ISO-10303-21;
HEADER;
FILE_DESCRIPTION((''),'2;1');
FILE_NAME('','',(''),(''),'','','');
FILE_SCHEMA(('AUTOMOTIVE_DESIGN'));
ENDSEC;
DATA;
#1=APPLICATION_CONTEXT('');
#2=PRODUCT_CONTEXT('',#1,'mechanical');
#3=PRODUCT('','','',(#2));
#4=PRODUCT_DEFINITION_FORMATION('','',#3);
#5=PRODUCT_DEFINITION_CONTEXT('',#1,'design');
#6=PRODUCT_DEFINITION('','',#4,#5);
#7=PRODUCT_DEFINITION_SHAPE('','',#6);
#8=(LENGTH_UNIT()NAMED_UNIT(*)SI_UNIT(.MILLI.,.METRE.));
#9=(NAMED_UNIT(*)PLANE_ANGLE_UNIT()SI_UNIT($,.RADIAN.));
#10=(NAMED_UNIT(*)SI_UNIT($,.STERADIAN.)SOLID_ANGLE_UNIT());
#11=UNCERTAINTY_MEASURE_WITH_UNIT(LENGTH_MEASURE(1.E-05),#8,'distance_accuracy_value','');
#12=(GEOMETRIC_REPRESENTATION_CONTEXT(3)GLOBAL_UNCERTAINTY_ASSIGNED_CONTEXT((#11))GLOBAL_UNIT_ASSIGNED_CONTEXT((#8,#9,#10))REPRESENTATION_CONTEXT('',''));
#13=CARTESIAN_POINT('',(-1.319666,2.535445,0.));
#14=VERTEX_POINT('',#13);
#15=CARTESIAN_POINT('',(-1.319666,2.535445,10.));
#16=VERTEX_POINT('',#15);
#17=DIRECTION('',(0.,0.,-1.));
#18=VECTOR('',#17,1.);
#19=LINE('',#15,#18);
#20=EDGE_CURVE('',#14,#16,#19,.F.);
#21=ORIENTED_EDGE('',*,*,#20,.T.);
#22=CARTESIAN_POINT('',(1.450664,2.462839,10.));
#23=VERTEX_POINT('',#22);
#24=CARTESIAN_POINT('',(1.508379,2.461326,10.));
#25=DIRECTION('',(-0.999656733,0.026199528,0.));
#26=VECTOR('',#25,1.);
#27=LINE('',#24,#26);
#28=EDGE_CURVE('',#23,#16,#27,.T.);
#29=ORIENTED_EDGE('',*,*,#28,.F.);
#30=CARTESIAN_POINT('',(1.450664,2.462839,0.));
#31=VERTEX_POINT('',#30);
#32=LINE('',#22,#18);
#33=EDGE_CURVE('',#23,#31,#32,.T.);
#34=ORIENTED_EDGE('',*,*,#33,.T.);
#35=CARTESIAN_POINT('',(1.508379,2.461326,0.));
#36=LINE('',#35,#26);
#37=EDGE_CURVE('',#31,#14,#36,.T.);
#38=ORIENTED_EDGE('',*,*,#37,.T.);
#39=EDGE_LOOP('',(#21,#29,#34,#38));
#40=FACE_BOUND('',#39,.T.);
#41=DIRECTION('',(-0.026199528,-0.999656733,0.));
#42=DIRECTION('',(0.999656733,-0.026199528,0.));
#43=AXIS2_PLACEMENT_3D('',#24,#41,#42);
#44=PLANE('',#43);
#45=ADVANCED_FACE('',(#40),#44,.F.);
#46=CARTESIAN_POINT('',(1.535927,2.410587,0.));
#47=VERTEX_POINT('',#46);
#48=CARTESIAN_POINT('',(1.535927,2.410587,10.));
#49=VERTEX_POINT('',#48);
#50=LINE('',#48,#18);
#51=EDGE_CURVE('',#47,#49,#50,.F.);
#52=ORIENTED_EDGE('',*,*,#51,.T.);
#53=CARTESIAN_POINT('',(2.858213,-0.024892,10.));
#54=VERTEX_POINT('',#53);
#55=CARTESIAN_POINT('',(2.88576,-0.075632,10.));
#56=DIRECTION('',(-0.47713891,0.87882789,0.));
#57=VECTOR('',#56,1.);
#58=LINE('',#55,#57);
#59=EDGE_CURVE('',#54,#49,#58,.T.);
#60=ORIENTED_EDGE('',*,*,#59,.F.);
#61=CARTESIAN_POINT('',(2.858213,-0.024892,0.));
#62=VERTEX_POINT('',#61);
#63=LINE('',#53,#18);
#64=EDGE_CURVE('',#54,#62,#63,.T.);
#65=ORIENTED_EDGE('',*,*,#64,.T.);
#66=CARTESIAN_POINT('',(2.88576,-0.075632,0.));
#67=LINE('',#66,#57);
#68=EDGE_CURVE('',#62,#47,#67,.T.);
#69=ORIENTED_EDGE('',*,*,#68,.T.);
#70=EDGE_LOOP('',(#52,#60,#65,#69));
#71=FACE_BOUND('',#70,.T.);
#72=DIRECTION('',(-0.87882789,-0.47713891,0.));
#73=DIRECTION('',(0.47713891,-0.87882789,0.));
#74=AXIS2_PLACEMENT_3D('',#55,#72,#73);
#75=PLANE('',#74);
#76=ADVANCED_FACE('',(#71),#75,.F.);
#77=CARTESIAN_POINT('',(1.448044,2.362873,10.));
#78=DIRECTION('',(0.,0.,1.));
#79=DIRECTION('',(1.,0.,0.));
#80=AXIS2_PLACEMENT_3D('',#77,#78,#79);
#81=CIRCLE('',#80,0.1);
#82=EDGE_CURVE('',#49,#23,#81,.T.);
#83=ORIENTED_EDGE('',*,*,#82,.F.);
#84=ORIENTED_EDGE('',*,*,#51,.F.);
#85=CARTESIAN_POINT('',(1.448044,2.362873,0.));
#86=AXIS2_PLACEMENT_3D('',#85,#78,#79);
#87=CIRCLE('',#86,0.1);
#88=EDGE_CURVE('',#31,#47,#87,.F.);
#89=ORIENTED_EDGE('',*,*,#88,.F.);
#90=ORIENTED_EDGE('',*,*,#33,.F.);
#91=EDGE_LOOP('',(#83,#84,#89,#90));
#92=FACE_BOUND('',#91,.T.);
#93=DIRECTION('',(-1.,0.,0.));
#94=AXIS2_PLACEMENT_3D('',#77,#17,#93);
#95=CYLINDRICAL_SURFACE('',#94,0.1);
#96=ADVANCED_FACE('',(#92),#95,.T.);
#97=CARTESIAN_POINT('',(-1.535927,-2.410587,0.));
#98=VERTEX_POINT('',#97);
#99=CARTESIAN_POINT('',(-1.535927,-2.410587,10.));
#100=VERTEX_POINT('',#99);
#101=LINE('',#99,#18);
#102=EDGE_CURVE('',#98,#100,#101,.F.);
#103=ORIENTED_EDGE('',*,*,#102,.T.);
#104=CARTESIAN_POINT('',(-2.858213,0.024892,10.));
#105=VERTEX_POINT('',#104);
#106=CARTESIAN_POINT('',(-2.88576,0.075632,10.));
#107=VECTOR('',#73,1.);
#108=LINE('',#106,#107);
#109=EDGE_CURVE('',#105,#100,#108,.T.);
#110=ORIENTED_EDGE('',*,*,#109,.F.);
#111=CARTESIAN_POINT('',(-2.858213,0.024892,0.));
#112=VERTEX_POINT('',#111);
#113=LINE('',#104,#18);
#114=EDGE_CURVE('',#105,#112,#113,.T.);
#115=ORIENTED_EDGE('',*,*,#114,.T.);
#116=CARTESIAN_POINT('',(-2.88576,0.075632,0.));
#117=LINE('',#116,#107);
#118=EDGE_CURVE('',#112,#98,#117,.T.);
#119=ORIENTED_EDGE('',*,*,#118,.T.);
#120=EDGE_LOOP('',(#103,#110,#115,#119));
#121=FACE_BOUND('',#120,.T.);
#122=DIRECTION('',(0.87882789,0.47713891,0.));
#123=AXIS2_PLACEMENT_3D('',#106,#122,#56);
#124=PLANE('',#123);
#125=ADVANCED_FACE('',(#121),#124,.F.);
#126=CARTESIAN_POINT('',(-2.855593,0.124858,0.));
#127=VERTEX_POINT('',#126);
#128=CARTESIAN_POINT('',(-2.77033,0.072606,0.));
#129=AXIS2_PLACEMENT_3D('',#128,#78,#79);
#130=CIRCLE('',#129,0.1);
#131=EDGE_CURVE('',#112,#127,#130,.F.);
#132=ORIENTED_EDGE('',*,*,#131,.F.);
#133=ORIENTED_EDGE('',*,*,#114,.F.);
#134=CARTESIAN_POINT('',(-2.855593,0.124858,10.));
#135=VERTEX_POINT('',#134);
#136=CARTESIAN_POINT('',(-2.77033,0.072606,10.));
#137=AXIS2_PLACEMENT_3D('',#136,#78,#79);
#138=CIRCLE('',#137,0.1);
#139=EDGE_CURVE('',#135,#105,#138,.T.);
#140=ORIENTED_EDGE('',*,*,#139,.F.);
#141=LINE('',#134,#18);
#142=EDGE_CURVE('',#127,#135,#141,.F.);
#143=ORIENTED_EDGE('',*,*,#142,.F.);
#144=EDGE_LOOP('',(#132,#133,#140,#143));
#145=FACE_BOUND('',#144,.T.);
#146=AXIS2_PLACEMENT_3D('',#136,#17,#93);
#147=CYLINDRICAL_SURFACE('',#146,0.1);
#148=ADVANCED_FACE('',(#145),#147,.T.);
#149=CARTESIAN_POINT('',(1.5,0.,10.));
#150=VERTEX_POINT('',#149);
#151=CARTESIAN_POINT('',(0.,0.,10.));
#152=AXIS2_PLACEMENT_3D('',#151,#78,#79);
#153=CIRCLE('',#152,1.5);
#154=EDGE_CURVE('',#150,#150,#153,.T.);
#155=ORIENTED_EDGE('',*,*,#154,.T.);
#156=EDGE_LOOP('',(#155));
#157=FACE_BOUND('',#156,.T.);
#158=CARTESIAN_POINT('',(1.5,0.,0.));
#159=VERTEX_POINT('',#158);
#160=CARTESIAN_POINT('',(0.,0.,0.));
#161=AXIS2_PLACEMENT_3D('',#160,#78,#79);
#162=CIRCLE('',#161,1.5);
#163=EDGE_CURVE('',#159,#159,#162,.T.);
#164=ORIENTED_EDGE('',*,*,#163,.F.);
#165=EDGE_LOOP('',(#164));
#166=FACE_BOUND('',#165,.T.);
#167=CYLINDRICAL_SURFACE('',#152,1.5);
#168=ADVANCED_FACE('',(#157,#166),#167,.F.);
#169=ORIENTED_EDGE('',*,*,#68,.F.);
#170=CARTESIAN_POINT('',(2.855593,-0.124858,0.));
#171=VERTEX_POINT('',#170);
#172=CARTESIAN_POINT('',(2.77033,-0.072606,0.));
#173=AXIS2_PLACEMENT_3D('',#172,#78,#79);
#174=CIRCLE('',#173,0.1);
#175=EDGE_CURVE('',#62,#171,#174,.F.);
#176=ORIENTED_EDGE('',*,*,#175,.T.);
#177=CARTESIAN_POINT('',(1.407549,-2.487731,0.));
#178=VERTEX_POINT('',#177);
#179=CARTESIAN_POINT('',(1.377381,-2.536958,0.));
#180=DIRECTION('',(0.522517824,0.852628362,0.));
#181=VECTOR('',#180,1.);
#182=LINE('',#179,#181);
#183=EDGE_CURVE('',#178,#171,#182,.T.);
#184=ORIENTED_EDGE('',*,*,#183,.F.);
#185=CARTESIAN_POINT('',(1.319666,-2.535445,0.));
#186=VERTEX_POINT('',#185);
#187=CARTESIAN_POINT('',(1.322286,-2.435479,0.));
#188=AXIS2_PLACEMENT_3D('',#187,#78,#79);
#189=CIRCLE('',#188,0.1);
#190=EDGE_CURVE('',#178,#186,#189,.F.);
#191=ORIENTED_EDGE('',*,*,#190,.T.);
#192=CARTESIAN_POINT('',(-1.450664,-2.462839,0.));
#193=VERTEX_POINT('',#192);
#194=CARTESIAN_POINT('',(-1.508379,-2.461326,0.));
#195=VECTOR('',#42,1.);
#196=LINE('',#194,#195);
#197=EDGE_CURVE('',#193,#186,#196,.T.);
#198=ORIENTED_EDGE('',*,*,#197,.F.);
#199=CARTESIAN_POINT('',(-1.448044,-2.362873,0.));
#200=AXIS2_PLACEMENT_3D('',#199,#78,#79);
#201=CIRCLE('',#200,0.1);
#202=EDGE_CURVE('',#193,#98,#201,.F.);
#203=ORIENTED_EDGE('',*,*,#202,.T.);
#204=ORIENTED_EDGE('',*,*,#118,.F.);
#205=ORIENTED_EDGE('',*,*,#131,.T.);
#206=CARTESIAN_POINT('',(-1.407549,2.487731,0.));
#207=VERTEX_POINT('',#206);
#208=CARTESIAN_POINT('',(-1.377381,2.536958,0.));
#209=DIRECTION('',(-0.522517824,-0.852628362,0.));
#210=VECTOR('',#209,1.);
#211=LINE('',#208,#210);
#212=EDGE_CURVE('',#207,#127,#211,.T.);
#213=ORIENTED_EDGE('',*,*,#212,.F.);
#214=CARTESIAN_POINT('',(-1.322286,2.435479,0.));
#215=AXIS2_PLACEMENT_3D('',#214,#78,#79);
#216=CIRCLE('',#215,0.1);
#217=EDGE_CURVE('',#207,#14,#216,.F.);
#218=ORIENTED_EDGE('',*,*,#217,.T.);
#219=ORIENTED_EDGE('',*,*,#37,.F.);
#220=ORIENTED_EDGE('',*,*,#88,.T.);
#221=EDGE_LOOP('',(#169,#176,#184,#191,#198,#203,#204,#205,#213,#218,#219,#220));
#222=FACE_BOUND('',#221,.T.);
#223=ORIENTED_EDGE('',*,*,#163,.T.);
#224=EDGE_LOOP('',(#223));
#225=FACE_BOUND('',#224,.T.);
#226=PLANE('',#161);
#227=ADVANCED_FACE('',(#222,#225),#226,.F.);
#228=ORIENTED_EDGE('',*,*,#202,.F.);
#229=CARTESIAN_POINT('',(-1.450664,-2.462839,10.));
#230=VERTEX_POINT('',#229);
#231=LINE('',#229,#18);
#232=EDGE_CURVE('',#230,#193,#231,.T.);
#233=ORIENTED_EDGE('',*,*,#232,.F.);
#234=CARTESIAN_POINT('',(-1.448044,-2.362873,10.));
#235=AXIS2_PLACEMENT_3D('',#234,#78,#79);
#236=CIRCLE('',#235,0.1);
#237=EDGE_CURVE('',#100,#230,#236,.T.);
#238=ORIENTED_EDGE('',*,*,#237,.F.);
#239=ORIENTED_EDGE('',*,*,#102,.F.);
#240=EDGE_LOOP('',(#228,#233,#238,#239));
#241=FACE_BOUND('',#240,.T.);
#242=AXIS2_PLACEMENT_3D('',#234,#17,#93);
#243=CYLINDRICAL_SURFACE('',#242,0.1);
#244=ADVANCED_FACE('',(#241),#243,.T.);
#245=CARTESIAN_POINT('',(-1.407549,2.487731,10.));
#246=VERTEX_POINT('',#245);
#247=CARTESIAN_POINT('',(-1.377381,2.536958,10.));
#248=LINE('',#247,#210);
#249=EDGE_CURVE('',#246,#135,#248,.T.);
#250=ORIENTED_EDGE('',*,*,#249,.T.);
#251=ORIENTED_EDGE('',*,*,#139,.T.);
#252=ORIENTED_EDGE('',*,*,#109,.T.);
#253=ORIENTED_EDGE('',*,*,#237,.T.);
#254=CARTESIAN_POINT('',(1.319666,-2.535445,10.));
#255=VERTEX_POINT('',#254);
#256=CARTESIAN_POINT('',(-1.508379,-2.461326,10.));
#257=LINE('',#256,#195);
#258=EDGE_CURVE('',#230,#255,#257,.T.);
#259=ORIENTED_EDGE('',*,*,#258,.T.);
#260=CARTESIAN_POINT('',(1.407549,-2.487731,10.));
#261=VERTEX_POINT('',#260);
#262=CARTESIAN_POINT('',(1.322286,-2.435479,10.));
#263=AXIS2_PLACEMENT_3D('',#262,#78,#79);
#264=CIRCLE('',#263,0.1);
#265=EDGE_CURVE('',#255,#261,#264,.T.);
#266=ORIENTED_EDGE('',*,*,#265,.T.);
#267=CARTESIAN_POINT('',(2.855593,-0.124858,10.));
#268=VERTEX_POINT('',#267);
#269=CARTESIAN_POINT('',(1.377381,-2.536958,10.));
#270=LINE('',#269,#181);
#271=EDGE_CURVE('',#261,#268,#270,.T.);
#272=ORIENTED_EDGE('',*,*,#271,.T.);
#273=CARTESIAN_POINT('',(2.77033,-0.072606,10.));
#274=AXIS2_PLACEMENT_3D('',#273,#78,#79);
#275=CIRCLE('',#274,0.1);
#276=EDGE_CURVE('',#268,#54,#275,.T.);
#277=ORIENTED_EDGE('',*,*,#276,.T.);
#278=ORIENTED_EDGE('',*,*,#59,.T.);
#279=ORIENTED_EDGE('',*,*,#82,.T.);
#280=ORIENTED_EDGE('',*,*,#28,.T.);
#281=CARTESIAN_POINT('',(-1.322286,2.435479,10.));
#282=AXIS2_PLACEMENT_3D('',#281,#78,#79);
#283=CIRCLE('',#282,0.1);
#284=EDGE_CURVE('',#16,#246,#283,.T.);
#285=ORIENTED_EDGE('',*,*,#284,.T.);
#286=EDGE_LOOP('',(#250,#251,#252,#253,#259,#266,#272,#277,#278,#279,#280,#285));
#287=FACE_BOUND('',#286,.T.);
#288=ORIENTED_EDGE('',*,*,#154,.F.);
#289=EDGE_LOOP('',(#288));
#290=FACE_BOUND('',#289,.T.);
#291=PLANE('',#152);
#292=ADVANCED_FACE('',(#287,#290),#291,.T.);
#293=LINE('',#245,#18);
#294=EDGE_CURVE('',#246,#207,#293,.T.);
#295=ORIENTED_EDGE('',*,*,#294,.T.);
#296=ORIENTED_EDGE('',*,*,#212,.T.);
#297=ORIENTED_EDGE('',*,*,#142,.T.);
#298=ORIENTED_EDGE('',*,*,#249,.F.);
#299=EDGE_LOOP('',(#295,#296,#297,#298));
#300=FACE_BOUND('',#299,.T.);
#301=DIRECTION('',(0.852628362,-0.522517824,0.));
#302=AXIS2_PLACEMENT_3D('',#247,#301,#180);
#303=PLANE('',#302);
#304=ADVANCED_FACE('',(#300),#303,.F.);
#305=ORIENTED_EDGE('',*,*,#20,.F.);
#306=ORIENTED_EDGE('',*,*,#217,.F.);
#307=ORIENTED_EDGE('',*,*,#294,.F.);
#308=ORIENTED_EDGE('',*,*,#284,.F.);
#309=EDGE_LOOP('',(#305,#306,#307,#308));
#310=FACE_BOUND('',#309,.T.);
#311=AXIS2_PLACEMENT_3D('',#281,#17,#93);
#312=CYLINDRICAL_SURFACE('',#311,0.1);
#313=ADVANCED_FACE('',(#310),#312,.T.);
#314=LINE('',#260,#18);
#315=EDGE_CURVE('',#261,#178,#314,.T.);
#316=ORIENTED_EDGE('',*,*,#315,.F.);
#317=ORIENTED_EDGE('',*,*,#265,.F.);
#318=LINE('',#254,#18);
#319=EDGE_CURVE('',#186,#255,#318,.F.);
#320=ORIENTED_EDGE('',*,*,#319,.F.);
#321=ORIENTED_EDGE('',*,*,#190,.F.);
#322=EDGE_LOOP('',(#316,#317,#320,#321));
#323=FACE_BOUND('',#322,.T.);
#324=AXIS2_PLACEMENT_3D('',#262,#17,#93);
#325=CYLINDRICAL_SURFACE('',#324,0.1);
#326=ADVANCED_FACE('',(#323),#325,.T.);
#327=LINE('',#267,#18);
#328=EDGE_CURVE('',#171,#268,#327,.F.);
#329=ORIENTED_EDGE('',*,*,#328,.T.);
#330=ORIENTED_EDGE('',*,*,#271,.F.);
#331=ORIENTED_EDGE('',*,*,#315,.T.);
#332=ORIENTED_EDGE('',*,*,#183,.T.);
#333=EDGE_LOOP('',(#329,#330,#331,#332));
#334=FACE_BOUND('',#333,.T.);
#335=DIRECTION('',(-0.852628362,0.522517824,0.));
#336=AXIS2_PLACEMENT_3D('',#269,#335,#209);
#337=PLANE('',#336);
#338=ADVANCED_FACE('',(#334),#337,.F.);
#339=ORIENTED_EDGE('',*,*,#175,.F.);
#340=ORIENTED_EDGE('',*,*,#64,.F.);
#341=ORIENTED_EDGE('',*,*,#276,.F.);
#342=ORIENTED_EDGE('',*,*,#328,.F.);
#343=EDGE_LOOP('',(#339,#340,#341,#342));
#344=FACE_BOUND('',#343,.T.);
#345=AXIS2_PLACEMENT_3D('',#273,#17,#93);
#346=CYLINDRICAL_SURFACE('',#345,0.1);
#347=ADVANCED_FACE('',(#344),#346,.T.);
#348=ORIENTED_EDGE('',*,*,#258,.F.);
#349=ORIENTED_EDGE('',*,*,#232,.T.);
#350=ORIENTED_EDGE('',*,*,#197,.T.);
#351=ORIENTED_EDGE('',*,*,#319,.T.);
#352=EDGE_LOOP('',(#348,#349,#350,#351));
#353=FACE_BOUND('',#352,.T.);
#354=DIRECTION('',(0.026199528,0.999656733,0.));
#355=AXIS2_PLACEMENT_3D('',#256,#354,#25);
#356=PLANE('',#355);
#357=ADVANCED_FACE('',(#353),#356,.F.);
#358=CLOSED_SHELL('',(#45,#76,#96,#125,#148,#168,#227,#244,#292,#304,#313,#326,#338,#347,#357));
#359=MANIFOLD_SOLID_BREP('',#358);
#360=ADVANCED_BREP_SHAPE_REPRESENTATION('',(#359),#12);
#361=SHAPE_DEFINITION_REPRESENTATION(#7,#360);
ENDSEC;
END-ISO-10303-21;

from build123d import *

# Parameters (mm, degrees)
BOSS_EXTRUDE1_DEPTH = 10
M3_TAPPED_HOLE1_D   = 3
FILLET1_R           = 0.1


with BuildPart() as part:
    # Sketch1 → Boss-Extrude1 (new body)
    with BuildSketch(Plane.XY):
        Polygon((1.508379031, 2.461326072), (-1.37738139, 2.536957595), (-2.885760421, 0.075631523), (-1.508379031, -2.461326072), (1.37738139, -2.536957595), (2.885760421, -0.075631523), align=None)
    extrude(amount=BOSS_EXTRUDE1_DEPTH)

    # M3 Tapped Hole1 (through all)
    with Locations(Plane.XY.offset(10)):
        with Locations((0, 0)):
            Hole(M3_TAPPED_HOLE1_D / 2)

    # Fillet1
    fillet1_edges = [part.edges().sort_by_distance(p)[0] for p in [
        (2.885760421, -0.075631523, 5),
        (1.37738139, -2.536957595, 5),
        (-1.508379031, -2.461326072, 5),
        (-2.885760421, 0.075631523, 5),
        (-1.37738139, 2.536957595, 5),
        (1.508379031, 2.461326072, 5),
    ]]
    fillet(fillet1_edges, radius=FILLET1_R)


solid = part.part
